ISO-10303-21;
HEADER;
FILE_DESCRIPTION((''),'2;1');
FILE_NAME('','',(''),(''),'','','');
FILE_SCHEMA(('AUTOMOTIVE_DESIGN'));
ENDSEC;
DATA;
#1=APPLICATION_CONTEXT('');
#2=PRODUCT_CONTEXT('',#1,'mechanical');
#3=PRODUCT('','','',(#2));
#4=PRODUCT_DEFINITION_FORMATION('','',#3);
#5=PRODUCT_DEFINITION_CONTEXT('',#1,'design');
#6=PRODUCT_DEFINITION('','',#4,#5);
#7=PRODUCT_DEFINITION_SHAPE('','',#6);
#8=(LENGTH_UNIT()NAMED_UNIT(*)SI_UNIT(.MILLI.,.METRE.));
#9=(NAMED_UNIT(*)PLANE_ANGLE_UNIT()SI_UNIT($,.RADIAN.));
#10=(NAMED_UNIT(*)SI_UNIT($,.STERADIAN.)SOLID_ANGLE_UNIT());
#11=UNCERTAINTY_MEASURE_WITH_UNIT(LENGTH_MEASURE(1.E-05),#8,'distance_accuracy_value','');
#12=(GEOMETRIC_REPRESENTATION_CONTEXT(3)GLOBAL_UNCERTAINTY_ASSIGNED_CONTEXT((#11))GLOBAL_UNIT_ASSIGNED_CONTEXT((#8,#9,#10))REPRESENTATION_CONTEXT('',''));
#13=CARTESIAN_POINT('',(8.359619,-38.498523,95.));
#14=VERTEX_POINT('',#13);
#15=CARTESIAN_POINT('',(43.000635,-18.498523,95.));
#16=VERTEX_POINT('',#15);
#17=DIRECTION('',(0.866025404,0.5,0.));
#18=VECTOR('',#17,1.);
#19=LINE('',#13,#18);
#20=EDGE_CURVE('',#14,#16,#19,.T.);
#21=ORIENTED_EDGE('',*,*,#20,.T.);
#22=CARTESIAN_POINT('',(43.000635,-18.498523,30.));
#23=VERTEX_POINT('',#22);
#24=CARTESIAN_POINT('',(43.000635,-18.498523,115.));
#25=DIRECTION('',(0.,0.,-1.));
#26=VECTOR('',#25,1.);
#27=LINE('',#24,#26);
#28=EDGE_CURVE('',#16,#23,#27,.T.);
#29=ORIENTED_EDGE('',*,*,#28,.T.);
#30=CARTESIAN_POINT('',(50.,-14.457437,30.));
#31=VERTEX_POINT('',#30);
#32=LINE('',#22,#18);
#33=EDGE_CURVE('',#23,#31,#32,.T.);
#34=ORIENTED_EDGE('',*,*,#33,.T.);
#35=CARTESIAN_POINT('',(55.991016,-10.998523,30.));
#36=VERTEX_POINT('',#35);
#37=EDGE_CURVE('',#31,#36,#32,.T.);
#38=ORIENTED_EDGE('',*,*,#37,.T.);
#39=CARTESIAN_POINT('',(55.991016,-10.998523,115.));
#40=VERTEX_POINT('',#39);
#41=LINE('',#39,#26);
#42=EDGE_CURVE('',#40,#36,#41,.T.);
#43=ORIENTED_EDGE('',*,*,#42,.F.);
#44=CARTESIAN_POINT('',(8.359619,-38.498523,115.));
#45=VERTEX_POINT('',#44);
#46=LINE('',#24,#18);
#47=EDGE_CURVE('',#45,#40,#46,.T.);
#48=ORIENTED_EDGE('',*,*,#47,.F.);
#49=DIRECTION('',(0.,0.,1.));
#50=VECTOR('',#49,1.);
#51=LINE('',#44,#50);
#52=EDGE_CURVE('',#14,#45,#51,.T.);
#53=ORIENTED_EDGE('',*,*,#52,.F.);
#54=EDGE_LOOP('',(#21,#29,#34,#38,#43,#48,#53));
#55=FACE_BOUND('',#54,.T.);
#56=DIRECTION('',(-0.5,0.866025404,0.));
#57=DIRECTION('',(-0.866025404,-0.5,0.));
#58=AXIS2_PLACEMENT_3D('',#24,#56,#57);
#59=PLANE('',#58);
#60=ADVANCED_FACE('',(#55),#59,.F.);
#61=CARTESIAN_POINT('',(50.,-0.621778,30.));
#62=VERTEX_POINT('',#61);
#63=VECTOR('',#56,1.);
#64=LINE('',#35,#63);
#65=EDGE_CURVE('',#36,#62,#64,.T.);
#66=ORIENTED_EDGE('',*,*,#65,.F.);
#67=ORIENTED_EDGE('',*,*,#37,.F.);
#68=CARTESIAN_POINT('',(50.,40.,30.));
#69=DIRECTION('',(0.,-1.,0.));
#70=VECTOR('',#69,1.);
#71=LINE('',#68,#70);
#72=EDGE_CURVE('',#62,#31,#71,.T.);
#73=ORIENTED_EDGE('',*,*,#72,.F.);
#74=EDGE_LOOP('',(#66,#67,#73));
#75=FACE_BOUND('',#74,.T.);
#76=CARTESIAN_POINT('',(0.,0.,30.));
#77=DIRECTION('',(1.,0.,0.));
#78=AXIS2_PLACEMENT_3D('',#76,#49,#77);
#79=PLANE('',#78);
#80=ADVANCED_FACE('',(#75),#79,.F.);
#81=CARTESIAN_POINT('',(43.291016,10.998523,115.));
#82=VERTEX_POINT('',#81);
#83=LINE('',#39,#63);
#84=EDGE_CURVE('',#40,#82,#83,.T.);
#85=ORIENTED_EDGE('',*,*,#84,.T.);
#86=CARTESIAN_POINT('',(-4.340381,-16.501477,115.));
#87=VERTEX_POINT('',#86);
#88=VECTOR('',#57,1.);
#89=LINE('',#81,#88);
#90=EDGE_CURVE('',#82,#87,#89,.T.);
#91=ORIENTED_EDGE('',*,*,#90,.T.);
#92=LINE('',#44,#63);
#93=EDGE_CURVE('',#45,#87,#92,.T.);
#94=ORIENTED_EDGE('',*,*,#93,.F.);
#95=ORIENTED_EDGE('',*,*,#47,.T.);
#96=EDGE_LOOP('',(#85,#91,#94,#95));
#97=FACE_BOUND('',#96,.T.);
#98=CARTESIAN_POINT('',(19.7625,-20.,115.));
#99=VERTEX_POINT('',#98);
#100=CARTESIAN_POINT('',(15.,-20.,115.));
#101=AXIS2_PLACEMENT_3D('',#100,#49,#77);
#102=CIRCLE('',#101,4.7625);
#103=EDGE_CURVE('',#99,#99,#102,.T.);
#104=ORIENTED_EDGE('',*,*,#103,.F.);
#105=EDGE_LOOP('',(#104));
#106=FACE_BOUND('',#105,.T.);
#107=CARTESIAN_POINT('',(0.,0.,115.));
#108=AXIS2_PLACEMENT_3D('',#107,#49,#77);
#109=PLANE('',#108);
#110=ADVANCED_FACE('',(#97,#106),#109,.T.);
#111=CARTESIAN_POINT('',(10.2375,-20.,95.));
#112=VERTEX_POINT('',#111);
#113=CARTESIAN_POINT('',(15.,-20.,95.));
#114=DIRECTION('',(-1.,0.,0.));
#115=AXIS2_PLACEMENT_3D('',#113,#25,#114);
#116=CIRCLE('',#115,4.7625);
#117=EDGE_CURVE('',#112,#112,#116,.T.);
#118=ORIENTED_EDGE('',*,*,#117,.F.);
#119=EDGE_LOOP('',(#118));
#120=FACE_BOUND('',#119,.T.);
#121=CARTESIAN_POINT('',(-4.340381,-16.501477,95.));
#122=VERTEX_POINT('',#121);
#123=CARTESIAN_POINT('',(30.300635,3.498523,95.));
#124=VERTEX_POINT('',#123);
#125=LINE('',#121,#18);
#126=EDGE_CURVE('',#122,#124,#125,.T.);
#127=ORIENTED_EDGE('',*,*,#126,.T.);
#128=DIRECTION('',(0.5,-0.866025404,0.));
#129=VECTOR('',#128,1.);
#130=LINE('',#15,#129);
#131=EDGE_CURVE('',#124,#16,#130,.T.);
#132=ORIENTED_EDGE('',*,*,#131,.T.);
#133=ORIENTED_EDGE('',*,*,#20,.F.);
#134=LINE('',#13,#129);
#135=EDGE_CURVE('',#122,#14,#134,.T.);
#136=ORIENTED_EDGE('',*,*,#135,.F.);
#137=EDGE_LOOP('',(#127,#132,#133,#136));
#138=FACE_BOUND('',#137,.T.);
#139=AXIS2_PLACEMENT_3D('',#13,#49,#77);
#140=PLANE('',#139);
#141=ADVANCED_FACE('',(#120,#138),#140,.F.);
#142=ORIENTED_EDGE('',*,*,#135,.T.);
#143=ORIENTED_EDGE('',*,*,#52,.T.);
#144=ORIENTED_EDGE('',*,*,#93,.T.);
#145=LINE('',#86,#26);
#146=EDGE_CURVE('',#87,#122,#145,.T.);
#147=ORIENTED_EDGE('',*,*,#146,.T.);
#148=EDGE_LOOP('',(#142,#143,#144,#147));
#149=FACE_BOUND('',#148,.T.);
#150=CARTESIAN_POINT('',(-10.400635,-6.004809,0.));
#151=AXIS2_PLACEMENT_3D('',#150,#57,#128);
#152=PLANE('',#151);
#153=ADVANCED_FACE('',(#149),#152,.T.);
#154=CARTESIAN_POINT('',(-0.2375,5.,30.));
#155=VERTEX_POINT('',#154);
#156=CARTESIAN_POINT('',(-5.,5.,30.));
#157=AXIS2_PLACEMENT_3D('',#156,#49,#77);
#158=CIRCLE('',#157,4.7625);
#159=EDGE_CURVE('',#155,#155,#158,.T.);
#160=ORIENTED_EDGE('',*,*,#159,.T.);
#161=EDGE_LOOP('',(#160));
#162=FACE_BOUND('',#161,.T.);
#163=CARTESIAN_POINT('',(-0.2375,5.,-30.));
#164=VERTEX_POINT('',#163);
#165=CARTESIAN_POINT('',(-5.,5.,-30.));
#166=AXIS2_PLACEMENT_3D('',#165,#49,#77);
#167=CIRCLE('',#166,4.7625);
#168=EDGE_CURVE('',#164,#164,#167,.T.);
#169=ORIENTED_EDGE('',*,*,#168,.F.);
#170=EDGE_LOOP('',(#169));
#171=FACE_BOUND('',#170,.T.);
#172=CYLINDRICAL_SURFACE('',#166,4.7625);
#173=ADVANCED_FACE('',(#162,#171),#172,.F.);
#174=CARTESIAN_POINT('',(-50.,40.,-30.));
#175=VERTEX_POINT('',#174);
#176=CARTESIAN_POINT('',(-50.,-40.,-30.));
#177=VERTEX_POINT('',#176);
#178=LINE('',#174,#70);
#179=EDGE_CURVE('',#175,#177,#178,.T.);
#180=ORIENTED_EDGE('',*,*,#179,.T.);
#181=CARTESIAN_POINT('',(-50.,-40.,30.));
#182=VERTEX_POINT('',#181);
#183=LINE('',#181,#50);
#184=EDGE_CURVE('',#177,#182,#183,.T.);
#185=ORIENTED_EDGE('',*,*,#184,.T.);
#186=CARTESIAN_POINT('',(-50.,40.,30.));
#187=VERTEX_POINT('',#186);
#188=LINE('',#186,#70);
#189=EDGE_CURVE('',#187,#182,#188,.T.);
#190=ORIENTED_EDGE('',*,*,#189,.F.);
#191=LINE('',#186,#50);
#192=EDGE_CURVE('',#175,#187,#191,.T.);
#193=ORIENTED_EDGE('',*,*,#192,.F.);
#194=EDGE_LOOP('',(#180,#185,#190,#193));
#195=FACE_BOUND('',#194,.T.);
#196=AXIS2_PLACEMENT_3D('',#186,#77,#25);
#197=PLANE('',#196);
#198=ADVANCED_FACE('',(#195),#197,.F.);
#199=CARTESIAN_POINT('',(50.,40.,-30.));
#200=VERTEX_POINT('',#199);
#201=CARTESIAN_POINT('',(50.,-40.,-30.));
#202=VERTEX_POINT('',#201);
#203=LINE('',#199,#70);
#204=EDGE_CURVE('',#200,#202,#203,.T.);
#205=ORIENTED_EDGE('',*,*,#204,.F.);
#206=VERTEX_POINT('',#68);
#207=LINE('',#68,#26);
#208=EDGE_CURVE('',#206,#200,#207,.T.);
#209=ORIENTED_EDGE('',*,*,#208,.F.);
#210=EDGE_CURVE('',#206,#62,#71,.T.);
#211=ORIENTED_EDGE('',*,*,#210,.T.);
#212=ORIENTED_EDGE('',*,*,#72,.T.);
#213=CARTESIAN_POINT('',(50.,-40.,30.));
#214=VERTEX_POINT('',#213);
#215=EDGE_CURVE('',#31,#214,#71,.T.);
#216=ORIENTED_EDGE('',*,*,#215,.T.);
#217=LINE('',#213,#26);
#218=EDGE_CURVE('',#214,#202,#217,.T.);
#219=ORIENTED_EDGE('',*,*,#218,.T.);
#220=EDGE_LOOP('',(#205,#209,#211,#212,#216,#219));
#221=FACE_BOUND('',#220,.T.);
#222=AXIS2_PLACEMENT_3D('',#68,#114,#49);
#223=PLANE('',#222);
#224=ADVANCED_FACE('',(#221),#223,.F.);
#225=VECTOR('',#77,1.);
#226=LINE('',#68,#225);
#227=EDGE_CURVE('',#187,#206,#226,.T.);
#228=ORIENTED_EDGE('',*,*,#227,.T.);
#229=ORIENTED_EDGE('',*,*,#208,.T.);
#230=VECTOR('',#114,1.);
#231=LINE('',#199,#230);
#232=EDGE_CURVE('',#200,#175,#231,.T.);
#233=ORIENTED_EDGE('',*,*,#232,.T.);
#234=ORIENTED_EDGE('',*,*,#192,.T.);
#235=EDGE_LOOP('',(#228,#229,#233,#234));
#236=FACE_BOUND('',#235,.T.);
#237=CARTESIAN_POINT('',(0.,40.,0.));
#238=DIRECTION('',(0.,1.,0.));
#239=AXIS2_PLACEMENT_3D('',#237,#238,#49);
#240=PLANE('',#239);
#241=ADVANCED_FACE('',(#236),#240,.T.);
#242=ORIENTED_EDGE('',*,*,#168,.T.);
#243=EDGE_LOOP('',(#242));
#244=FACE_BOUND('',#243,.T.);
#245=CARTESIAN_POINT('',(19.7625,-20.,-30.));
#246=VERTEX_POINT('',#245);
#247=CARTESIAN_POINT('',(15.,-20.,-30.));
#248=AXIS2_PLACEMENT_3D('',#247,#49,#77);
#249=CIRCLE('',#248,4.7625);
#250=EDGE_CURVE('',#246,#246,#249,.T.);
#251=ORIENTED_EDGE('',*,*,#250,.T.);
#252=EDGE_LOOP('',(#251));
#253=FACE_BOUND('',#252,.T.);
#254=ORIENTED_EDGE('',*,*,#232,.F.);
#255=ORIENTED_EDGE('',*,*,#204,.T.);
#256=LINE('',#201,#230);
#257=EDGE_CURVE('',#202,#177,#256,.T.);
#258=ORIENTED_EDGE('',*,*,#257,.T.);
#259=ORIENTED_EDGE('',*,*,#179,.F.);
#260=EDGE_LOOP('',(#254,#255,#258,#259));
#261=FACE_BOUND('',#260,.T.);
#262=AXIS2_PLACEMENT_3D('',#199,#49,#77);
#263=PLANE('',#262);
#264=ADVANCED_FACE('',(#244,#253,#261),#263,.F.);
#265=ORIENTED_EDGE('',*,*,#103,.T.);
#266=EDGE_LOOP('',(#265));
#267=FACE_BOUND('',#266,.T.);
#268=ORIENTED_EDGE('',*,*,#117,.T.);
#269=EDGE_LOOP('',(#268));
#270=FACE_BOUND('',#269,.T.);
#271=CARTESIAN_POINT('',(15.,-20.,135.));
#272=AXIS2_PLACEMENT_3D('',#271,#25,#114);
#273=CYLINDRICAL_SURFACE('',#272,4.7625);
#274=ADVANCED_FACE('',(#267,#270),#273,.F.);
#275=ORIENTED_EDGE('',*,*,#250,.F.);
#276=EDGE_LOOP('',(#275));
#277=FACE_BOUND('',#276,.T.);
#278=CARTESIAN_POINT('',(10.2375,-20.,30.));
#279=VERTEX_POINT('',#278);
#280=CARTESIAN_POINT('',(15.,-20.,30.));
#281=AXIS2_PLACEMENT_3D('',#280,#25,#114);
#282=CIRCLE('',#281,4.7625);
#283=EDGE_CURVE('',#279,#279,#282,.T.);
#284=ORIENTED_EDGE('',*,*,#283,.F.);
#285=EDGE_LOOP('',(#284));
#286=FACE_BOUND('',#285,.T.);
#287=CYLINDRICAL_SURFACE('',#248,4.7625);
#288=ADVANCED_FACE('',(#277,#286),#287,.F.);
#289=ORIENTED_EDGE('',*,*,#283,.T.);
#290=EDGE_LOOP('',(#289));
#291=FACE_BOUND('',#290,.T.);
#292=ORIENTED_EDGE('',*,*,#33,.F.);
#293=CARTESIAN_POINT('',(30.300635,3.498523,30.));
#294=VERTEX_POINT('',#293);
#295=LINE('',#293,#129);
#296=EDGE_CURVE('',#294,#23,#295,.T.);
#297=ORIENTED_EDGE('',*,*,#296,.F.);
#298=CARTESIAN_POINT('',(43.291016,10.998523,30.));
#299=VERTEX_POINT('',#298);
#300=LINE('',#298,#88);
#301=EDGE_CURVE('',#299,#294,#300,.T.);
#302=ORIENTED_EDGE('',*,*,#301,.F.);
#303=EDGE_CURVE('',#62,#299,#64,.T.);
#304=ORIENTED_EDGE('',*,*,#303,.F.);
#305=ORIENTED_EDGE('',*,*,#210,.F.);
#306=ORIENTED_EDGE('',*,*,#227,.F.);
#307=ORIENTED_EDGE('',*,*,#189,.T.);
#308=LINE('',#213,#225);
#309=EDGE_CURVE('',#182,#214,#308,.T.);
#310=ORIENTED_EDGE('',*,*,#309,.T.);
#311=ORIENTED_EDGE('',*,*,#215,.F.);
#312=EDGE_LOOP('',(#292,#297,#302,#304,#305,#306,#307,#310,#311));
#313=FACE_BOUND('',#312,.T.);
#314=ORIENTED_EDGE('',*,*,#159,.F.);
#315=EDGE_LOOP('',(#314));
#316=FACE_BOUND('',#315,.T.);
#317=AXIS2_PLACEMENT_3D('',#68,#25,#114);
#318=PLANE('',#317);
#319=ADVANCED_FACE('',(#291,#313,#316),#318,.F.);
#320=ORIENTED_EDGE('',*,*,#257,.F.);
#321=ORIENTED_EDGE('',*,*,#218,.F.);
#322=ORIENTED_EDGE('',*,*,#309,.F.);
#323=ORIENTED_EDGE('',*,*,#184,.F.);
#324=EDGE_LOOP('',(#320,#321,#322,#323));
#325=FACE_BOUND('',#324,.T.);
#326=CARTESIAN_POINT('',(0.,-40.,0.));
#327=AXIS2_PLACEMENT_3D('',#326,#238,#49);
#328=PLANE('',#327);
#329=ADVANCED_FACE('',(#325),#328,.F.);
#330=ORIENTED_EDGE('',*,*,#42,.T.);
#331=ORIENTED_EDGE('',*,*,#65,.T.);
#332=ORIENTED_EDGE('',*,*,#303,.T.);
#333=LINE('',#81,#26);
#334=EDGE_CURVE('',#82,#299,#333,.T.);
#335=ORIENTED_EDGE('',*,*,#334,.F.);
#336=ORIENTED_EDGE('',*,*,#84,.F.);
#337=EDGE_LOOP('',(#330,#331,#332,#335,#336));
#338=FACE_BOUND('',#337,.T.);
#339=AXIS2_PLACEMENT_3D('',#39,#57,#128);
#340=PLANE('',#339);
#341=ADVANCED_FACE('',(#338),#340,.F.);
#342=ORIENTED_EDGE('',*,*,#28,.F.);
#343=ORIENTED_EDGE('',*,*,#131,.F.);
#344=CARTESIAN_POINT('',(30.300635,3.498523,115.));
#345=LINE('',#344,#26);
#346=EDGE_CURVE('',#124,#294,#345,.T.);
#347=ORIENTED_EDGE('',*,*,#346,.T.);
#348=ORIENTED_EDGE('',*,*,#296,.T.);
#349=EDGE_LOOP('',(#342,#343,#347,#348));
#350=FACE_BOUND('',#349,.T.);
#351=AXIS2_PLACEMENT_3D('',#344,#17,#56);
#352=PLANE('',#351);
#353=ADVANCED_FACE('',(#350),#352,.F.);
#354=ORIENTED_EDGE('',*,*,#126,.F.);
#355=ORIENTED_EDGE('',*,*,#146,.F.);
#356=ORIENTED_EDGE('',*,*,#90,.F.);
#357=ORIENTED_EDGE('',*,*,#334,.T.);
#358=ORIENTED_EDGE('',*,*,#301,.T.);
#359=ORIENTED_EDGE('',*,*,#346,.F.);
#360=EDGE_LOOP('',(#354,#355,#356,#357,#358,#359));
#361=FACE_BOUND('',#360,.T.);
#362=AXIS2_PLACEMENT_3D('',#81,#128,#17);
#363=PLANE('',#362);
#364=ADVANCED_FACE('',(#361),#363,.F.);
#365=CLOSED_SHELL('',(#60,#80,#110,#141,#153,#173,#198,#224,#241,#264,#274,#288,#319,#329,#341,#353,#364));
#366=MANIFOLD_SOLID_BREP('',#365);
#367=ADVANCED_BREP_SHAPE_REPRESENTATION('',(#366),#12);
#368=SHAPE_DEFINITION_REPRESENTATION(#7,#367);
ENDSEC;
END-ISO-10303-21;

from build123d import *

# Parameters (mm, degrees)
SKETCH1_W               = 100
SKETCH1_H               = 60
BOSS_EXTRUDE1_DEPTH     = 40
BOSS_EXTRUDE2_DEPTH     = 85
CUT_EXTRUDE1_DEPTH      = 110.36175698
CUT_EXTRUDE1_DEPTH_BACK = 110.36175698
SKETCH3_R               = 4.7625
SKETCH5_W               = 20
SKETCH5_H               = 25.4
BOSS_EXTRUDE3_DEPTH     = 40
CUT_EXTRUDE2_DEPTH      = 110.36175698
CUT_EXTRUDE2_DEPTH_BACK = 110.36175698
SKETCH4_R               = 4.7625
CUT_EXTRUDE3_START      = -40
SKETCH6_R               = 4.7625
CUT_EXTRUDE3_DEPTH      = 40


with BuildPart() as part:
    # Sketch1 → Boss-Extrude1 (new, symmetric)
    with BuildSketch(Plane(origin=(0, 0, 0), x_dir=(1, 0, 0), z_dir=(0, 1, 0))):
        Rectangle(SKETCH1_W, SKETCH1_H)
    extrude(amount=BOSS_EXTRUDE1_DEPTH, both=True)

    # Sketch2 → Boss-Extrude2 (add)
    with BuildSketch(Plane.XY.offset(30)):
        Polygon((43.291016151, 10.998522628), (30.300635095, 3.498522628), (43.000635095, -18.498522628), (55.991016151, -10.998522628), align=None)
    extrude(amount=BOSS_EXTRUDE2_DEPTH)

    # Sketch3 → Cut-Extrude1 (cut, two sides: drawn at the far end of the back side and taken through both)
    with BuildSketch(Plane.XY.offset(30).offset(-CUT_EXTRUDE1_DEPTH_BACK)):
        with Locations((15, -20)):
            Circle(SKETCH3_R)
    extrude(amount=CUT_EXTRUDE1_DEPTH + CUT_EXTRUDE1_DEPTH_BACK, mode=Mode.SUBTRACT)

    # Sketch5 → Boss-Extrude3 (add)
    with BuildSketch(Plane(origin=(24.240381057, 13.995190528, 0), x_dir=(0, 0, 1), z_dir=(-0.866025403784436, -0.5000000000000046, 0))):
        with Locations((105, -24.820508076)):
            Rectangle(SKETCH5_W, SKETCH5_H)
    extrude(amount=BOSS_EXTRUDE3_DEPTH)

    # Sketch4 → Cut-Extrude2 (cut, two sides: drawn at the far end of the back side and taken through both)
    with BuildSketch(Plane.XY.offset(30).offset(-CUT_EXTRUDE2_DEPTH_BACK)):
        with Locations((-5, 5)):
            Circle(SKETCH4_R)
    extrude(amount=CUT_EXTRUDE2_DEPTH + CUT_EXTRUDE2_DEPTH_BACK, mode=Mode.SUBTRACT)

    # Sketch6 → Cut-Extrude3 (cut)
    with BuildSketch(Plane(origin=(0, 0, 95), x_dir=(-1, 0, 0), z_dir=(0, 0, -1)).offset(CUT_EXTRUDE3_START)):
        with Locations(Location((-15, -20, 0), (0, 0, 180))):
            Circle(SKETCH6_R)
    extrude(amount=CUT_EXTRUDE3_DEPTH, mode=Mode.SUBTRACT)


solid = part.part
